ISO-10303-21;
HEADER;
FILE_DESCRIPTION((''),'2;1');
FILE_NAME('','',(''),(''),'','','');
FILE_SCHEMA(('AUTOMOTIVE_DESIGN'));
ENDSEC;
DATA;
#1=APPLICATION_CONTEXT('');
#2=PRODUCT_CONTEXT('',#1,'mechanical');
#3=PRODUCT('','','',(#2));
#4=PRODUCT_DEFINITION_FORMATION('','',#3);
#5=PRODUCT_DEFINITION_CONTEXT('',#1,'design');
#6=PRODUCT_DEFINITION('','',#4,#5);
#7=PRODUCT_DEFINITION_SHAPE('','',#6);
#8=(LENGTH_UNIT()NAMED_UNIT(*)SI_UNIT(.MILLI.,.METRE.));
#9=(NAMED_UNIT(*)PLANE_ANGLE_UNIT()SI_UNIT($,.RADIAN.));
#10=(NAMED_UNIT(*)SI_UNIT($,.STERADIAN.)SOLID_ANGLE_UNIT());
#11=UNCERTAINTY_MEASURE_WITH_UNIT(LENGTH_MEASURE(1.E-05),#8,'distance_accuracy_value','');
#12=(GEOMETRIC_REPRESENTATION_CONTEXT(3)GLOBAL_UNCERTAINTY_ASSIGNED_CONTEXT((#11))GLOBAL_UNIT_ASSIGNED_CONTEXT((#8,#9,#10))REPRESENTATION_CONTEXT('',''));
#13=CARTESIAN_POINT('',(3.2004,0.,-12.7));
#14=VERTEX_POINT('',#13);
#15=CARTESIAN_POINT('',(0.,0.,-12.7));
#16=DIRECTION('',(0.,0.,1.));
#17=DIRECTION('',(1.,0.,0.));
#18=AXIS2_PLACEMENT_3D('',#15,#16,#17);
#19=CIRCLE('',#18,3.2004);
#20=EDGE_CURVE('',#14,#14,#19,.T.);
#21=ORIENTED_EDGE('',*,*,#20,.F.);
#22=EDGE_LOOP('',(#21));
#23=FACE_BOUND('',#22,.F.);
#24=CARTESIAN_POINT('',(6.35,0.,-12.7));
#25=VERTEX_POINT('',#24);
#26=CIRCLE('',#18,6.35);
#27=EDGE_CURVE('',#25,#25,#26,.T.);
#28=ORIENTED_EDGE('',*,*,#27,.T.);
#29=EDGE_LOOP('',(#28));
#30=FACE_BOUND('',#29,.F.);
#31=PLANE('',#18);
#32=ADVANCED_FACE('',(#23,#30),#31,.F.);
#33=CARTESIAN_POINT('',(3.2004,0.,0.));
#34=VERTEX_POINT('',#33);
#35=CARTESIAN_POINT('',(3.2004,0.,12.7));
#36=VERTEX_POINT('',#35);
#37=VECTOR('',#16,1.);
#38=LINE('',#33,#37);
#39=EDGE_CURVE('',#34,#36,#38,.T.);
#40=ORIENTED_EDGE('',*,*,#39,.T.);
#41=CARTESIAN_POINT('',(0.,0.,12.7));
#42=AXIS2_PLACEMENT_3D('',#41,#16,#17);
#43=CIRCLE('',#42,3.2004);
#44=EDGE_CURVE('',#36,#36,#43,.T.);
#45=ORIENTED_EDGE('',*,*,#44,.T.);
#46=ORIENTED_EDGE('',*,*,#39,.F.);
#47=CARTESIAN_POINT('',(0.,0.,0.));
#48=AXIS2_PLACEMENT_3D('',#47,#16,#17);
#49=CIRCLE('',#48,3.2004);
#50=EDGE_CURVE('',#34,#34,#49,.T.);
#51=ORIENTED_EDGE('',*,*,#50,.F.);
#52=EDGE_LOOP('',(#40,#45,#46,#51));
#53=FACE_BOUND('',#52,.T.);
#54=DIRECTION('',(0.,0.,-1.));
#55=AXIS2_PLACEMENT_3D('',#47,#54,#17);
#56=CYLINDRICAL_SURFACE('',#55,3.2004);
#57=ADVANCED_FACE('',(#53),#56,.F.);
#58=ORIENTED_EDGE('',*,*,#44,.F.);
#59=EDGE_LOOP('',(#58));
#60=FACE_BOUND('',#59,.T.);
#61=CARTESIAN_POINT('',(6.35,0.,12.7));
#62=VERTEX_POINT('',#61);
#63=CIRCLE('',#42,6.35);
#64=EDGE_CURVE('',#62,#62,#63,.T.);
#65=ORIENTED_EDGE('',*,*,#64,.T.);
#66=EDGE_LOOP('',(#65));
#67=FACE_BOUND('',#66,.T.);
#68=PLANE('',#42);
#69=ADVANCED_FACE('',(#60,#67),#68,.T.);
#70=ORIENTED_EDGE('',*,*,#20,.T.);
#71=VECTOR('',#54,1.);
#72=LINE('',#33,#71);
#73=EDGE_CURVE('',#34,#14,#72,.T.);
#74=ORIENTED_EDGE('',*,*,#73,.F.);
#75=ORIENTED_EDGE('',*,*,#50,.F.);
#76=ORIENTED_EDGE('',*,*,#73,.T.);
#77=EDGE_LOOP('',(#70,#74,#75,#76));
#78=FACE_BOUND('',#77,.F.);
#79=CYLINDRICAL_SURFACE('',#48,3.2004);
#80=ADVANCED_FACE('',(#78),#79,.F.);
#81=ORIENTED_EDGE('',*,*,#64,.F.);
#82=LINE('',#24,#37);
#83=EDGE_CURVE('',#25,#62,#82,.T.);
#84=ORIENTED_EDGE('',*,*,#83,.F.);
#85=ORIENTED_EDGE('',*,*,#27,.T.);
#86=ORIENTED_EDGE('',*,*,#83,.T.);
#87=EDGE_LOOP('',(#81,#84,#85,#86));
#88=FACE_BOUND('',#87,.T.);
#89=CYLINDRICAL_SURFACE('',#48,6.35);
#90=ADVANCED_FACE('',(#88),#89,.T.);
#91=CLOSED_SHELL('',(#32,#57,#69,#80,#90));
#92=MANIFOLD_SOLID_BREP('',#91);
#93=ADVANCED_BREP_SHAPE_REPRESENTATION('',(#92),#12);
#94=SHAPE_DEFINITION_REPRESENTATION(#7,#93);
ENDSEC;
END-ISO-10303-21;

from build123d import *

# Parameters (mm, degrees)
SKETCH1_R           = 6.35
SKETCH1_R_2         = 3.2004
EXTRUDE1_DEPTH      = 12.7
EXTRUDE1_DEPTH_BACK = 12.7


with BuildPart() as part:
    # Sketch1 → Extrude1 (new body, two sides)
    with BuildSketch(Plane.XY) as extrude1_sk:
        Circle(SKETCH1_R)
        Circle(SKETCH1_R_2, mode=Mode.SUBTRACT)
    extrude(amount=EXTRUDE1_DEPTH)
    extrude(extrude1_sk.sketch, amount=-EXTRUDE1_DEPTH_BACK)


solid = part.part
